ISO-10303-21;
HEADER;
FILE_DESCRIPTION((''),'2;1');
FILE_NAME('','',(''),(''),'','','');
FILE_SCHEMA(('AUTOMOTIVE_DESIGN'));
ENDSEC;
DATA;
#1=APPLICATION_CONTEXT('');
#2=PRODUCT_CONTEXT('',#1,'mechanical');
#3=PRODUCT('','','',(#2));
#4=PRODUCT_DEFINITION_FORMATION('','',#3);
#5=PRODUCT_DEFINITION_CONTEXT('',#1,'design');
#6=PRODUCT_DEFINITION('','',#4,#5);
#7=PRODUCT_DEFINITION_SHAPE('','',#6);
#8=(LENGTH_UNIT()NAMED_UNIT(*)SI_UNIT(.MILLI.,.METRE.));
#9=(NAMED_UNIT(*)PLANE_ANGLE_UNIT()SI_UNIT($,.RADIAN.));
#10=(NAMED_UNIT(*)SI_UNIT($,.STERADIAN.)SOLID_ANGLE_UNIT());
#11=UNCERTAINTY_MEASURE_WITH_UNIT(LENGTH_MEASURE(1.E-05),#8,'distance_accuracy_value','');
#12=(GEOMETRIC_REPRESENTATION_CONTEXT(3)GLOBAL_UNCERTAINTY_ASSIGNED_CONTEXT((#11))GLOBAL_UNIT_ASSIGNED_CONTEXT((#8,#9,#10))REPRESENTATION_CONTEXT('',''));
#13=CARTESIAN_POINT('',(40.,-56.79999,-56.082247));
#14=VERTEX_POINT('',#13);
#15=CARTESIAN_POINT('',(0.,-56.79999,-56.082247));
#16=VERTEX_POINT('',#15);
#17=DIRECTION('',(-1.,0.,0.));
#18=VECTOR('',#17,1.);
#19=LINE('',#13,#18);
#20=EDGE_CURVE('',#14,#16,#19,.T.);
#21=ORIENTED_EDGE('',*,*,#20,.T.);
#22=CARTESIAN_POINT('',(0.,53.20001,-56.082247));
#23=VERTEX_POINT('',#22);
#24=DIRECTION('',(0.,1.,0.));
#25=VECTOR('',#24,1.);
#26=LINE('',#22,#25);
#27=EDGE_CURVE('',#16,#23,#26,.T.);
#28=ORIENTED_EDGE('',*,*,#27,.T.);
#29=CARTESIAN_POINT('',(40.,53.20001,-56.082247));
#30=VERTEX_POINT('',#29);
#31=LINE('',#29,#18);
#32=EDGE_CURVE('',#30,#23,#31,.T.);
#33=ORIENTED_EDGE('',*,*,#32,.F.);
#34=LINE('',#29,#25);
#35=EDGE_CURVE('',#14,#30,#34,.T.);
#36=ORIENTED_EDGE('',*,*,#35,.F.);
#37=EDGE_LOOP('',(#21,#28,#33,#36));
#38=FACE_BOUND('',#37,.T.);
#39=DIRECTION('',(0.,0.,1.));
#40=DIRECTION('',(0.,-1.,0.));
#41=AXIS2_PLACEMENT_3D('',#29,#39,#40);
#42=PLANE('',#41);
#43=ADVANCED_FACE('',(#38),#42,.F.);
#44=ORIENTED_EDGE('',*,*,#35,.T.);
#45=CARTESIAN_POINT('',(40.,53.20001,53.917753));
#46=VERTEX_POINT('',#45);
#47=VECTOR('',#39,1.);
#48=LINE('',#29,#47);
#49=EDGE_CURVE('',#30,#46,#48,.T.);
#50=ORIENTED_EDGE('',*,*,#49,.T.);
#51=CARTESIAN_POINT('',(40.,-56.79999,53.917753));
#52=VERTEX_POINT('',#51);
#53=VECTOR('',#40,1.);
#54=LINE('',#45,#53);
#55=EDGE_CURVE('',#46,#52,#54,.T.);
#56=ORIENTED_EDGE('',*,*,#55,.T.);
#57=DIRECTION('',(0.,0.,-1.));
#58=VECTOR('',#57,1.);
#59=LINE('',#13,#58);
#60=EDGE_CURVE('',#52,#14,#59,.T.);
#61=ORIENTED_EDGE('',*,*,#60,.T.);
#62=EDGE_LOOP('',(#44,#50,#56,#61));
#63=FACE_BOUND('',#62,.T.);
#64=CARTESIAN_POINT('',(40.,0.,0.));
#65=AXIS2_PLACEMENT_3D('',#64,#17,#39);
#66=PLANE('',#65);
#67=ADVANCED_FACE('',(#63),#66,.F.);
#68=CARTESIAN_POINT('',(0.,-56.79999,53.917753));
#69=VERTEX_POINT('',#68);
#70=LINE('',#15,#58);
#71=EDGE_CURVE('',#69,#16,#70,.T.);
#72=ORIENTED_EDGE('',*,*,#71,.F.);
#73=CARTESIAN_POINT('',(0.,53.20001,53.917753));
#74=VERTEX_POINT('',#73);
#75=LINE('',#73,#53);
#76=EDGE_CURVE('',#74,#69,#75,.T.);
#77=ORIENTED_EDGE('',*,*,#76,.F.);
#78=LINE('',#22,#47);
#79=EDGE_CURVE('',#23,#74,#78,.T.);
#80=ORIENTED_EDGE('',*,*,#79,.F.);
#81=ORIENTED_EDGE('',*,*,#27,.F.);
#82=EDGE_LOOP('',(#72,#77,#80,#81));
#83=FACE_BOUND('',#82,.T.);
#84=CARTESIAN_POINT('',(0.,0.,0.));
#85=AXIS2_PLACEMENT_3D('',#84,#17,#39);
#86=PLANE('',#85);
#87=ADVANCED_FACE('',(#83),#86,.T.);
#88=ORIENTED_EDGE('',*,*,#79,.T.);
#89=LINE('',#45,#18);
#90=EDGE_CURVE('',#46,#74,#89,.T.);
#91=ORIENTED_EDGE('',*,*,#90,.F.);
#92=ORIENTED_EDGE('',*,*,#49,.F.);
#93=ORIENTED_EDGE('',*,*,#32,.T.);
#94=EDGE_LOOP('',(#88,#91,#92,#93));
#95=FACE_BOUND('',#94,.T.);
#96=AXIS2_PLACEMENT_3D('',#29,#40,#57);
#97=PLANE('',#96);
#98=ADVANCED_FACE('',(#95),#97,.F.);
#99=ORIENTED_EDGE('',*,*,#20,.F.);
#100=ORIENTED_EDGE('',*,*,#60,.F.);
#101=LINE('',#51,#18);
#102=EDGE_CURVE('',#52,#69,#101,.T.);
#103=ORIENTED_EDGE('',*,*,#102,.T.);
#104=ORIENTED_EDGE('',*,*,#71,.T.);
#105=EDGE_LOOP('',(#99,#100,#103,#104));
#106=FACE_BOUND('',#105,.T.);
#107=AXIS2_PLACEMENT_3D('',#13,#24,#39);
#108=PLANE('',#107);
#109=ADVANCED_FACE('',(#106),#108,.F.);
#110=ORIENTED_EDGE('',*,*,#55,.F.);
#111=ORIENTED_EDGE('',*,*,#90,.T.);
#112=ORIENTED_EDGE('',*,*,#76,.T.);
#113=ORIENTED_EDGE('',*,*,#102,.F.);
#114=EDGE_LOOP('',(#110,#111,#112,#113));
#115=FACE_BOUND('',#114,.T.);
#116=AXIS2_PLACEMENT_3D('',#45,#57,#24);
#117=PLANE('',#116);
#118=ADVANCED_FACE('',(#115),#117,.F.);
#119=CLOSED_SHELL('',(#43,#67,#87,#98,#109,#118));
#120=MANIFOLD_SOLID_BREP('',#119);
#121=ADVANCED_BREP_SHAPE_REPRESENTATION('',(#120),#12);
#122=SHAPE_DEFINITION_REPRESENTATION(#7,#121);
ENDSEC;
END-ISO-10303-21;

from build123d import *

# Parameters (mm, degrees)
SKETCH_1_W      = 110
SKETCH_1_H      = 110
EXTRUDE_2_DEPTH = 40


with BuildPart() as part:
    # 草图1 → 凸台-拉伸2 (new body)
    with BuildSketch(Plane(origin=(0, 0, 0), x_dir=(0, 0, -1), z_dir=(1, 0, 0))):
        with Locations((1.082247343, -1.799990478)):
            Rectangle(SKETCH_1_W, SKETCH_1_H)
    extrude(amount=EXTRUDE_2_DEPTH)


solid = part.part
